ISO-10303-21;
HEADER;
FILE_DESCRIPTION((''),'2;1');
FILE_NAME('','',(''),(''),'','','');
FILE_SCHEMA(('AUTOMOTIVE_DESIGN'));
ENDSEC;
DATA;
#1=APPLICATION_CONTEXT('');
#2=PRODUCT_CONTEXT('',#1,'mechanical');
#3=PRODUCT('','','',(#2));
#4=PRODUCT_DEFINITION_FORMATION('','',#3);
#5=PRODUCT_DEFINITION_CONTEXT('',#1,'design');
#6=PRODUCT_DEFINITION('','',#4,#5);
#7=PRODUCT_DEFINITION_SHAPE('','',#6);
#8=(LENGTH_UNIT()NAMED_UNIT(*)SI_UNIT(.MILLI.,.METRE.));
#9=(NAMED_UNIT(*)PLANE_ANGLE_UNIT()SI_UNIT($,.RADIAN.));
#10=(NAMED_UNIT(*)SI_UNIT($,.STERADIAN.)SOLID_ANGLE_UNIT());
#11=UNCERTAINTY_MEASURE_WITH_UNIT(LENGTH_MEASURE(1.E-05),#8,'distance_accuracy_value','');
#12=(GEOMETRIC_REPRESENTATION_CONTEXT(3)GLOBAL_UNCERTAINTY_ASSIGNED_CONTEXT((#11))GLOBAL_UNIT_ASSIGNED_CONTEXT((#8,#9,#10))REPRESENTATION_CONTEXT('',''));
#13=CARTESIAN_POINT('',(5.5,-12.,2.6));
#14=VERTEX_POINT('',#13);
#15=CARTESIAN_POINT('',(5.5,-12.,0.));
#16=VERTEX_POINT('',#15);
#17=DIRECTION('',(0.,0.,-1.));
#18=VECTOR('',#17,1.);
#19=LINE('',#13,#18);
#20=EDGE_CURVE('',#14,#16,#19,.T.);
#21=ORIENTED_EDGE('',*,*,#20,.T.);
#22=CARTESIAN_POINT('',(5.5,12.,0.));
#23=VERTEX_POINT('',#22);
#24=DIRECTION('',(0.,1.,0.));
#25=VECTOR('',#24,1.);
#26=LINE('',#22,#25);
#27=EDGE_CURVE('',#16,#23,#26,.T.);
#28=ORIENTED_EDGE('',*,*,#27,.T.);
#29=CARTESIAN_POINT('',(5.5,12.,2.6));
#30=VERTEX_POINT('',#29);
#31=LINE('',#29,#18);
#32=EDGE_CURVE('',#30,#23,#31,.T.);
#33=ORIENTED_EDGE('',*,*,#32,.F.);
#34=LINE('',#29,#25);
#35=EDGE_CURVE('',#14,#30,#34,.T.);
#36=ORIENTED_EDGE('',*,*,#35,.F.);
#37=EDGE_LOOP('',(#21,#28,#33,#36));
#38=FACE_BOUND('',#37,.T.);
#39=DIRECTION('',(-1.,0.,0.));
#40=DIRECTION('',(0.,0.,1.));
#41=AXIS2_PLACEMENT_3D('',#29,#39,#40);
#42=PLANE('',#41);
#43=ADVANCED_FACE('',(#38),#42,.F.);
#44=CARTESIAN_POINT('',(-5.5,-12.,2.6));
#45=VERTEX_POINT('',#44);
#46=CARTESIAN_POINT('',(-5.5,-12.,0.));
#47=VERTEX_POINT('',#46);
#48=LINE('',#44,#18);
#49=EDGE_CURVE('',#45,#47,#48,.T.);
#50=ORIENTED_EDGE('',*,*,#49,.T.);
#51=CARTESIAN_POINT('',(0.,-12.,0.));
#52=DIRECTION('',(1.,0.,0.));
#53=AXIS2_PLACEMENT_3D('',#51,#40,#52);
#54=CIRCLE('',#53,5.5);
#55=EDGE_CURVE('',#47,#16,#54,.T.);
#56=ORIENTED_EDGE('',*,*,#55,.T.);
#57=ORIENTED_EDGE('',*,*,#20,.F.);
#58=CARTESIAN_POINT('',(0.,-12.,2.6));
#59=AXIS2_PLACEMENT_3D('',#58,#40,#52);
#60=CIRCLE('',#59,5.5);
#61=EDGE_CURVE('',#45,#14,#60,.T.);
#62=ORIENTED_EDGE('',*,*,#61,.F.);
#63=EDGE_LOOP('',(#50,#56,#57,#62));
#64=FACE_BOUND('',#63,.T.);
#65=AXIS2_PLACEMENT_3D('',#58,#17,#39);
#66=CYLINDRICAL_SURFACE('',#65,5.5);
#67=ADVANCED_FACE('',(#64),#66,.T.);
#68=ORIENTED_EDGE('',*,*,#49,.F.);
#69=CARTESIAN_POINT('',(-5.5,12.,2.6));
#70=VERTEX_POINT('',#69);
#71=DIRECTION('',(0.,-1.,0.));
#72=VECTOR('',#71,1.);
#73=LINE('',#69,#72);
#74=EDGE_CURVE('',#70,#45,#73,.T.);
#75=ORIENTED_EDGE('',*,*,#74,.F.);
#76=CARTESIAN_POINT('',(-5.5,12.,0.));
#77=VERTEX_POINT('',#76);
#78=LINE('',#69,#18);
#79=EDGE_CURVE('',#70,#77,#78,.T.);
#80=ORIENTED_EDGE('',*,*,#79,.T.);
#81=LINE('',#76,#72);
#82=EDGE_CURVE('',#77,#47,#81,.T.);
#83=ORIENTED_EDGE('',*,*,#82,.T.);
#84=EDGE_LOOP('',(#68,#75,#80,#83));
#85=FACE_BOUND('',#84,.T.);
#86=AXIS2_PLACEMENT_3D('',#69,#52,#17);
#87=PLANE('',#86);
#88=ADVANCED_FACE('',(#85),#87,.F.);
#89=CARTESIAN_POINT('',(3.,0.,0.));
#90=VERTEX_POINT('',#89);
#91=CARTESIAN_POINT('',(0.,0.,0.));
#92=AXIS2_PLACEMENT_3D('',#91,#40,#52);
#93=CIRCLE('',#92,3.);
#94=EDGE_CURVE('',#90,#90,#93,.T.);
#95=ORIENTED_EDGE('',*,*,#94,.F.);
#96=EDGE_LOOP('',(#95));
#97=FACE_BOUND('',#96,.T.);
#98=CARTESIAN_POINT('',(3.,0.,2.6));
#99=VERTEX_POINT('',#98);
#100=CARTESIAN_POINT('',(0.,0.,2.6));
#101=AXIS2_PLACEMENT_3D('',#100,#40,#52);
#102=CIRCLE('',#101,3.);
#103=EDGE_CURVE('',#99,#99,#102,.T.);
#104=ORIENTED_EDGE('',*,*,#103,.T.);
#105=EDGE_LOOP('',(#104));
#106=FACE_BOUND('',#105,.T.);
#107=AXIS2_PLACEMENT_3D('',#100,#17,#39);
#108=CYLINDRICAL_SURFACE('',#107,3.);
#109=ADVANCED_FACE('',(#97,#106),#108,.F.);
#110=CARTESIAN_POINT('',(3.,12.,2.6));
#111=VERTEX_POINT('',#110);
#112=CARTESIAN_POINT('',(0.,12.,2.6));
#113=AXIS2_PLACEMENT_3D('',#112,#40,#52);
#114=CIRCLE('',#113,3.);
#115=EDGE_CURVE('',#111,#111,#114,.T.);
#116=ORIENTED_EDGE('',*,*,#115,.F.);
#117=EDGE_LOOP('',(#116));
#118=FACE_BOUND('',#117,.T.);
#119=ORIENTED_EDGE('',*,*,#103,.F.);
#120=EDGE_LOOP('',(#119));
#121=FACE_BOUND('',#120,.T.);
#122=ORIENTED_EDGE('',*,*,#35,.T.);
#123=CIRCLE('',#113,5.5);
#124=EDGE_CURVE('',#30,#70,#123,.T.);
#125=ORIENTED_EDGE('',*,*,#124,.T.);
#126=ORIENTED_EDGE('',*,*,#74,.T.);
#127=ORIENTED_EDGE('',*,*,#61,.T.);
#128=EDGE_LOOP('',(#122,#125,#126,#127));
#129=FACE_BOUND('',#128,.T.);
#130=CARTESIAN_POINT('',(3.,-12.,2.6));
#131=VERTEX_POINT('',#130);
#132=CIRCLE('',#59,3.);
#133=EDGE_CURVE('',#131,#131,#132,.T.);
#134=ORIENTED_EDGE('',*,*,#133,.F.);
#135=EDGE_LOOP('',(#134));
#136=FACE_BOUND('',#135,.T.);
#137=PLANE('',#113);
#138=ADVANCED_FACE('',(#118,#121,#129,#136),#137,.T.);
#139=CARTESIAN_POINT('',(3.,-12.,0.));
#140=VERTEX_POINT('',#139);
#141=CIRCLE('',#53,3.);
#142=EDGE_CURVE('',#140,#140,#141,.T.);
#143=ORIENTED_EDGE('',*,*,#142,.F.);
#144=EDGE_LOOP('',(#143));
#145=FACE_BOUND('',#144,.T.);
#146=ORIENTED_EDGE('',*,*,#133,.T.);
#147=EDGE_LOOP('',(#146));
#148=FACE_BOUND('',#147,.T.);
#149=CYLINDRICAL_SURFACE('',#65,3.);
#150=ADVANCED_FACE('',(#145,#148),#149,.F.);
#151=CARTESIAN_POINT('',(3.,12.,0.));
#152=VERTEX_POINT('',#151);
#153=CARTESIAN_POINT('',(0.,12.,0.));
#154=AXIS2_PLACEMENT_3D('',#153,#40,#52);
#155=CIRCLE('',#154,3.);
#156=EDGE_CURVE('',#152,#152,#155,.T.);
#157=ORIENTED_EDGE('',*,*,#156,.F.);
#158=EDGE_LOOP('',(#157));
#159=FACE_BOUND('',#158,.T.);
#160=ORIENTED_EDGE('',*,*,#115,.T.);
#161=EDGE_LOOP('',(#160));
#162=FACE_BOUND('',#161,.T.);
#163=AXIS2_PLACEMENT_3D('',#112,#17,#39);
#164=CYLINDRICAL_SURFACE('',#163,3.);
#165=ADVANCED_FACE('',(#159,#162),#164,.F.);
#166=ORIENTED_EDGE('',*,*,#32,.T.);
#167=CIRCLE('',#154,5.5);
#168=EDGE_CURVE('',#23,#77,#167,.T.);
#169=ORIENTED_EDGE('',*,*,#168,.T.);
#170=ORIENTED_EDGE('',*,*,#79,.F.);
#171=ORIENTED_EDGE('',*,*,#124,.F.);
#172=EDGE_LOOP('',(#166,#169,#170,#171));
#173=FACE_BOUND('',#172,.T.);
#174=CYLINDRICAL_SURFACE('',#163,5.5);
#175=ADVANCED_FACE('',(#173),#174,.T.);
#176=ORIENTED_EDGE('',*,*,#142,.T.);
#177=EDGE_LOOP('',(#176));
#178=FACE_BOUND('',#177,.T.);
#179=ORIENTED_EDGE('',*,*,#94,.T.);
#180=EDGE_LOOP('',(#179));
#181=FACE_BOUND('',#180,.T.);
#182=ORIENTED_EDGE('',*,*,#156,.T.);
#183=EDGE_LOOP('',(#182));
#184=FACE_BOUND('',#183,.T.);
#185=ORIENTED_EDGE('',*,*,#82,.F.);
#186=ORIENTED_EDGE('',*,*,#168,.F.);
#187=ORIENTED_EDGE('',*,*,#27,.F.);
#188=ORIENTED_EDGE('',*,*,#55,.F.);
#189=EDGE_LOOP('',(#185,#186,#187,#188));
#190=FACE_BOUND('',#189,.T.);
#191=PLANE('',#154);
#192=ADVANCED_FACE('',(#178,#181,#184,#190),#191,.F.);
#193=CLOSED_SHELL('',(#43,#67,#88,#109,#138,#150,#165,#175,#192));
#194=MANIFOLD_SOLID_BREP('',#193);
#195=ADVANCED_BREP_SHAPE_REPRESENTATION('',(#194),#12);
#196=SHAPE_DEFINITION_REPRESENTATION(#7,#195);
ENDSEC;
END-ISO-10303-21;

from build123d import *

# Parameters (mm, degrees)
SKETCH_1_R      = 3
EXTRUDE_1_DEPTH = 2.6


with BuildPart() as part:
    # 草图1 → 凸台-拉伸1 (new body)
    with BuildSketch(Plane.XY):
        with BuildLine():
            Line((5.5, 12), (5.5, -12))
            ThreePointArc((5.5, -12), (0, -17.5), (-5.5, -12))
            Line((-5.5, -12), (-5.5, 12))
            ThreePointArc((-5.5, 12), (0, 17.5), (5.5, 12))
        make_face()
        with Locations((0, -12)):
            Circle(SKETCH_1_R, mode=Mode.SUBTRACT)
        Circle(SKETCH_1_R, mode=Mode.SUBTRACT)
        with Locations((0, 12)):
            Circle(SKETCH_1_R, mode=Mode.SUBTRACT)
    extrude(amount=EXTRUDE_1_DEPTH)


solid = part.part
